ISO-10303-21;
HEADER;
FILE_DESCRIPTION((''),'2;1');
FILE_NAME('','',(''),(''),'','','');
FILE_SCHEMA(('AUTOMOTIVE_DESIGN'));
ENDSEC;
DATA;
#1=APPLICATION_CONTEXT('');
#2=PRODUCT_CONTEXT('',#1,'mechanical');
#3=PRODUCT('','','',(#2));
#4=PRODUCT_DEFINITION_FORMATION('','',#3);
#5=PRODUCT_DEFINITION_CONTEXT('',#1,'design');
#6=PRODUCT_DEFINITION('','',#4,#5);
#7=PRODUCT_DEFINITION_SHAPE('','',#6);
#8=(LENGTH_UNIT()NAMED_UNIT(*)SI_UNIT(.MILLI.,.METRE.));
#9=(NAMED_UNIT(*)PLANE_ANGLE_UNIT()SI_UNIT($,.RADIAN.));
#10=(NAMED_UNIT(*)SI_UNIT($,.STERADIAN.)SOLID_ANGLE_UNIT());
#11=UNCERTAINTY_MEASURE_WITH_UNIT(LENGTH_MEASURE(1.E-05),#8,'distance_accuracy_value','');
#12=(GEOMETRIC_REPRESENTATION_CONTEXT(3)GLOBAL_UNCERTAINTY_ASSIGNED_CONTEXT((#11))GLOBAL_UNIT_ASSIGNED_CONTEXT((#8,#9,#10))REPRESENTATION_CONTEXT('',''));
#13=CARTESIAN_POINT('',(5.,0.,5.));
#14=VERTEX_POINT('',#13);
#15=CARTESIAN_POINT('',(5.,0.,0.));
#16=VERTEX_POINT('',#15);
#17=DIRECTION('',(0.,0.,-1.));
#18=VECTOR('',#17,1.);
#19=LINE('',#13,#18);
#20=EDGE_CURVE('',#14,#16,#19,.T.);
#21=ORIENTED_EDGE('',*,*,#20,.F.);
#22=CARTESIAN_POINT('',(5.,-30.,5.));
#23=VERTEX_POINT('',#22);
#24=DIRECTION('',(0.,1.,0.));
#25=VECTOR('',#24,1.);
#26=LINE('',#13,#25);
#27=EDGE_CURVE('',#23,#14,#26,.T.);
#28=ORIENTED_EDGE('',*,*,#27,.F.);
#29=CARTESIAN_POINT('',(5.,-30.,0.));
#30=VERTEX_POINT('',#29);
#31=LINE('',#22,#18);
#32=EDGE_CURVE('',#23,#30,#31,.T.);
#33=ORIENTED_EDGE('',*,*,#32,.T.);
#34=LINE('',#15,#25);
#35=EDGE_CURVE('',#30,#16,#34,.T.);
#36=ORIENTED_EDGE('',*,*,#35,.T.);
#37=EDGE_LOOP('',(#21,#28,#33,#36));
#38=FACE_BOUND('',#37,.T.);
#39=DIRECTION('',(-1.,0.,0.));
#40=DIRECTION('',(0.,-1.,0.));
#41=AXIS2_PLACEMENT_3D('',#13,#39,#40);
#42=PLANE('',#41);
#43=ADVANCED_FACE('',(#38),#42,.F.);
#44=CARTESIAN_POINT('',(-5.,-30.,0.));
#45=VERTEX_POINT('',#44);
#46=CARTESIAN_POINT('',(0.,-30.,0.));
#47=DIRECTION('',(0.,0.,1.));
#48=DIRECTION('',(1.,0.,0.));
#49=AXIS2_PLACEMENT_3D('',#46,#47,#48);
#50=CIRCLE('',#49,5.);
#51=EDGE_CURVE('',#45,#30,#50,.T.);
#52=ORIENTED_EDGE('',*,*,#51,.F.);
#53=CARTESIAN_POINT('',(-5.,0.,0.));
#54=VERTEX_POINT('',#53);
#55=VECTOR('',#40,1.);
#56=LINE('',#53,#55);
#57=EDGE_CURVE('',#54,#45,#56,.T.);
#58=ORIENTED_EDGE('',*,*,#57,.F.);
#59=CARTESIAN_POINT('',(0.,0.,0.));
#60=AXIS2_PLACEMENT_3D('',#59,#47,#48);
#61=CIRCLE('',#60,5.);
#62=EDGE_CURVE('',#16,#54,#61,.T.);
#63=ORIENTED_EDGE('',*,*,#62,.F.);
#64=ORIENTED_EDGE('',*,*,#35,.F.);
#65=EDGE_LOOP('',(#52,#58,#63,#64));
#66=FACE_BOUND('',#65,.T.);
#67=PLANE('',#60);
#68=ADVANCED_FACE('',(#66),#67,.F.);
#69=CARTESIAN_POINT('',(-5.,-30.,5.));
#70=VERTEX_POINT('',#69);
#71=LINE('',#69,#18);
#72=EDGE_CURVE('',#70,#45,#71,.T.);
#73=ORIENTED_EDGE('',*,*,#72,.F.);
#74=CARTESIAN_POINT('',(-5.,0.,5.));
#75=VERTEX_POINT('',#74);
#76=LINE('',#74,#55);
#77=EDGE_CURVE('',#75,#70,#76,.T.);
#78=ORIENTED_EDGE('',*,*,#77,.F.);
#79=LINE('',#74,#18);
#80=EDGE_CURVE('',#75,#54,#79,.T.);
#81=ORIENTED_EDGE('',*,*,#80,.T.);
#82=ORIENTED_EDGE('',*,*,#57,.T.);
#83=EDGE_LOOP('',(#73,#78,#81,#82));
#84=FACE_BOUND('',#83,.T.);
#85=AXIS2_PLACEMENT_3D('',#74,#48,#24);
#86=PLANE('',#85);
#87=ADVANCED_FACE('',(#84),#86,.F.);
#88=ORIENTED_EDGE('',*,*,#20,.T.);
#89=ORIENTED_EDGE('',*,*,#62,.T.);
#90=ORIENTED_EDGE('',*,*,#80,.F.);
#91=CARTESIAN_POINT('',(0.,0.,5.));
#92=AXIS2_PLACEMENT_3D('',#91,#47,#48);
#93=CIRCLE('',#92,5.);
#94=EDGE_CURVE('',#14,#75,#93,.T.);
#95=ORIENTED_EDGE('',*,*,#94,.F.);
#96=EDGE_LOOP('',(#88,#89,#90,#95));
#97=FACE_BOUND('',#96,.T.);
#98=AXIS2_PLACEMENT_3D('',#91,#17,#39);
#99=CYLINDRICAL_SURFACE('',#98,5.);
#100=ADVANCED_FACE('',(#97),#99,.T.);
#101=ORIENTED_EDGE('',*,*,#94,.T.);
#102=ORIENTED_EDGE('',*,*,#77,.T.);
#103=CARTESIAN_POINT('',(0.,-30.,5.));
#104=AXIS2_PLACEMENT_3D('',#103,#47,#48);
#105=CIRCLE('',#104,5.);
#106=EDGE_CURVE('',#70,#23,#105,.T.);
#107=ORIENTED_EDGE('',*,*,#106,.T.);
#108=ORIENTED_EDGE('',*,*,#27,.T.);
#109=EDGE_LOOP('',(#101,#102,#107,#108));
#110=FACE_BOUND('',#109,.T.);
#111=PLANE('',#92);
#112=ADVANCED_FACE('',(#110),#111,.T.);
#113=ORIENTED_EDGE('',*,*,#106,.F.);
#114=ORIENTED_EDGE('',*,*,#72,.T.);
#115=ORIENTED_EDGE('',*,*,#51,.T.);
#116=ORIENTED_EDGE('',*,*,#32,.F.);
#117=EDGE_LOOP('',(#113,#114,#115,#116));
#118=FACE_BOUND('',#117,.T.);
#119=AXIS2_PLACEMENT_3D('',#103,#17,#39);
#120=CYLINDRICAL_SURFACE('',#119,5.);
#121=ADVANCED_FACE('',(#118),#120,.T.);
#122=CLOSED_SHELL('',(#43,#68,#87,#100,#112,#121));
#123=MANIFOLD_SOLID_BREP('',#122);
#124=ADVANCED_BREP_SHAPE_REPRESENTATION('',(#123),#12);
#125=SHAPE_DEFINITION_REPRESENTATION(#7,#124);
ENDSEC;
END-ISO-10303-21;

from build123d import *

# Parameters (mm, degrees)
EXTRUDE_1_DEPTH = 5


with BuildPart() as part:
    # 草图1 → 凸台-拉伸1 (new body)
    with BuildSketch(Plane.XY):
        with BuildLine():
            Line((5, 0), (5, -30))
            ThreePointArc((5, -30), (0, -35), (-5, -30))
            Line((-5, -30), (-5, 0))
            ThreePointArc((-5, 0), (0, 5), (5, 0))
        make_face()
    extrude(amount=EXTRUDE_1_DEPTH)


solid = part.part
